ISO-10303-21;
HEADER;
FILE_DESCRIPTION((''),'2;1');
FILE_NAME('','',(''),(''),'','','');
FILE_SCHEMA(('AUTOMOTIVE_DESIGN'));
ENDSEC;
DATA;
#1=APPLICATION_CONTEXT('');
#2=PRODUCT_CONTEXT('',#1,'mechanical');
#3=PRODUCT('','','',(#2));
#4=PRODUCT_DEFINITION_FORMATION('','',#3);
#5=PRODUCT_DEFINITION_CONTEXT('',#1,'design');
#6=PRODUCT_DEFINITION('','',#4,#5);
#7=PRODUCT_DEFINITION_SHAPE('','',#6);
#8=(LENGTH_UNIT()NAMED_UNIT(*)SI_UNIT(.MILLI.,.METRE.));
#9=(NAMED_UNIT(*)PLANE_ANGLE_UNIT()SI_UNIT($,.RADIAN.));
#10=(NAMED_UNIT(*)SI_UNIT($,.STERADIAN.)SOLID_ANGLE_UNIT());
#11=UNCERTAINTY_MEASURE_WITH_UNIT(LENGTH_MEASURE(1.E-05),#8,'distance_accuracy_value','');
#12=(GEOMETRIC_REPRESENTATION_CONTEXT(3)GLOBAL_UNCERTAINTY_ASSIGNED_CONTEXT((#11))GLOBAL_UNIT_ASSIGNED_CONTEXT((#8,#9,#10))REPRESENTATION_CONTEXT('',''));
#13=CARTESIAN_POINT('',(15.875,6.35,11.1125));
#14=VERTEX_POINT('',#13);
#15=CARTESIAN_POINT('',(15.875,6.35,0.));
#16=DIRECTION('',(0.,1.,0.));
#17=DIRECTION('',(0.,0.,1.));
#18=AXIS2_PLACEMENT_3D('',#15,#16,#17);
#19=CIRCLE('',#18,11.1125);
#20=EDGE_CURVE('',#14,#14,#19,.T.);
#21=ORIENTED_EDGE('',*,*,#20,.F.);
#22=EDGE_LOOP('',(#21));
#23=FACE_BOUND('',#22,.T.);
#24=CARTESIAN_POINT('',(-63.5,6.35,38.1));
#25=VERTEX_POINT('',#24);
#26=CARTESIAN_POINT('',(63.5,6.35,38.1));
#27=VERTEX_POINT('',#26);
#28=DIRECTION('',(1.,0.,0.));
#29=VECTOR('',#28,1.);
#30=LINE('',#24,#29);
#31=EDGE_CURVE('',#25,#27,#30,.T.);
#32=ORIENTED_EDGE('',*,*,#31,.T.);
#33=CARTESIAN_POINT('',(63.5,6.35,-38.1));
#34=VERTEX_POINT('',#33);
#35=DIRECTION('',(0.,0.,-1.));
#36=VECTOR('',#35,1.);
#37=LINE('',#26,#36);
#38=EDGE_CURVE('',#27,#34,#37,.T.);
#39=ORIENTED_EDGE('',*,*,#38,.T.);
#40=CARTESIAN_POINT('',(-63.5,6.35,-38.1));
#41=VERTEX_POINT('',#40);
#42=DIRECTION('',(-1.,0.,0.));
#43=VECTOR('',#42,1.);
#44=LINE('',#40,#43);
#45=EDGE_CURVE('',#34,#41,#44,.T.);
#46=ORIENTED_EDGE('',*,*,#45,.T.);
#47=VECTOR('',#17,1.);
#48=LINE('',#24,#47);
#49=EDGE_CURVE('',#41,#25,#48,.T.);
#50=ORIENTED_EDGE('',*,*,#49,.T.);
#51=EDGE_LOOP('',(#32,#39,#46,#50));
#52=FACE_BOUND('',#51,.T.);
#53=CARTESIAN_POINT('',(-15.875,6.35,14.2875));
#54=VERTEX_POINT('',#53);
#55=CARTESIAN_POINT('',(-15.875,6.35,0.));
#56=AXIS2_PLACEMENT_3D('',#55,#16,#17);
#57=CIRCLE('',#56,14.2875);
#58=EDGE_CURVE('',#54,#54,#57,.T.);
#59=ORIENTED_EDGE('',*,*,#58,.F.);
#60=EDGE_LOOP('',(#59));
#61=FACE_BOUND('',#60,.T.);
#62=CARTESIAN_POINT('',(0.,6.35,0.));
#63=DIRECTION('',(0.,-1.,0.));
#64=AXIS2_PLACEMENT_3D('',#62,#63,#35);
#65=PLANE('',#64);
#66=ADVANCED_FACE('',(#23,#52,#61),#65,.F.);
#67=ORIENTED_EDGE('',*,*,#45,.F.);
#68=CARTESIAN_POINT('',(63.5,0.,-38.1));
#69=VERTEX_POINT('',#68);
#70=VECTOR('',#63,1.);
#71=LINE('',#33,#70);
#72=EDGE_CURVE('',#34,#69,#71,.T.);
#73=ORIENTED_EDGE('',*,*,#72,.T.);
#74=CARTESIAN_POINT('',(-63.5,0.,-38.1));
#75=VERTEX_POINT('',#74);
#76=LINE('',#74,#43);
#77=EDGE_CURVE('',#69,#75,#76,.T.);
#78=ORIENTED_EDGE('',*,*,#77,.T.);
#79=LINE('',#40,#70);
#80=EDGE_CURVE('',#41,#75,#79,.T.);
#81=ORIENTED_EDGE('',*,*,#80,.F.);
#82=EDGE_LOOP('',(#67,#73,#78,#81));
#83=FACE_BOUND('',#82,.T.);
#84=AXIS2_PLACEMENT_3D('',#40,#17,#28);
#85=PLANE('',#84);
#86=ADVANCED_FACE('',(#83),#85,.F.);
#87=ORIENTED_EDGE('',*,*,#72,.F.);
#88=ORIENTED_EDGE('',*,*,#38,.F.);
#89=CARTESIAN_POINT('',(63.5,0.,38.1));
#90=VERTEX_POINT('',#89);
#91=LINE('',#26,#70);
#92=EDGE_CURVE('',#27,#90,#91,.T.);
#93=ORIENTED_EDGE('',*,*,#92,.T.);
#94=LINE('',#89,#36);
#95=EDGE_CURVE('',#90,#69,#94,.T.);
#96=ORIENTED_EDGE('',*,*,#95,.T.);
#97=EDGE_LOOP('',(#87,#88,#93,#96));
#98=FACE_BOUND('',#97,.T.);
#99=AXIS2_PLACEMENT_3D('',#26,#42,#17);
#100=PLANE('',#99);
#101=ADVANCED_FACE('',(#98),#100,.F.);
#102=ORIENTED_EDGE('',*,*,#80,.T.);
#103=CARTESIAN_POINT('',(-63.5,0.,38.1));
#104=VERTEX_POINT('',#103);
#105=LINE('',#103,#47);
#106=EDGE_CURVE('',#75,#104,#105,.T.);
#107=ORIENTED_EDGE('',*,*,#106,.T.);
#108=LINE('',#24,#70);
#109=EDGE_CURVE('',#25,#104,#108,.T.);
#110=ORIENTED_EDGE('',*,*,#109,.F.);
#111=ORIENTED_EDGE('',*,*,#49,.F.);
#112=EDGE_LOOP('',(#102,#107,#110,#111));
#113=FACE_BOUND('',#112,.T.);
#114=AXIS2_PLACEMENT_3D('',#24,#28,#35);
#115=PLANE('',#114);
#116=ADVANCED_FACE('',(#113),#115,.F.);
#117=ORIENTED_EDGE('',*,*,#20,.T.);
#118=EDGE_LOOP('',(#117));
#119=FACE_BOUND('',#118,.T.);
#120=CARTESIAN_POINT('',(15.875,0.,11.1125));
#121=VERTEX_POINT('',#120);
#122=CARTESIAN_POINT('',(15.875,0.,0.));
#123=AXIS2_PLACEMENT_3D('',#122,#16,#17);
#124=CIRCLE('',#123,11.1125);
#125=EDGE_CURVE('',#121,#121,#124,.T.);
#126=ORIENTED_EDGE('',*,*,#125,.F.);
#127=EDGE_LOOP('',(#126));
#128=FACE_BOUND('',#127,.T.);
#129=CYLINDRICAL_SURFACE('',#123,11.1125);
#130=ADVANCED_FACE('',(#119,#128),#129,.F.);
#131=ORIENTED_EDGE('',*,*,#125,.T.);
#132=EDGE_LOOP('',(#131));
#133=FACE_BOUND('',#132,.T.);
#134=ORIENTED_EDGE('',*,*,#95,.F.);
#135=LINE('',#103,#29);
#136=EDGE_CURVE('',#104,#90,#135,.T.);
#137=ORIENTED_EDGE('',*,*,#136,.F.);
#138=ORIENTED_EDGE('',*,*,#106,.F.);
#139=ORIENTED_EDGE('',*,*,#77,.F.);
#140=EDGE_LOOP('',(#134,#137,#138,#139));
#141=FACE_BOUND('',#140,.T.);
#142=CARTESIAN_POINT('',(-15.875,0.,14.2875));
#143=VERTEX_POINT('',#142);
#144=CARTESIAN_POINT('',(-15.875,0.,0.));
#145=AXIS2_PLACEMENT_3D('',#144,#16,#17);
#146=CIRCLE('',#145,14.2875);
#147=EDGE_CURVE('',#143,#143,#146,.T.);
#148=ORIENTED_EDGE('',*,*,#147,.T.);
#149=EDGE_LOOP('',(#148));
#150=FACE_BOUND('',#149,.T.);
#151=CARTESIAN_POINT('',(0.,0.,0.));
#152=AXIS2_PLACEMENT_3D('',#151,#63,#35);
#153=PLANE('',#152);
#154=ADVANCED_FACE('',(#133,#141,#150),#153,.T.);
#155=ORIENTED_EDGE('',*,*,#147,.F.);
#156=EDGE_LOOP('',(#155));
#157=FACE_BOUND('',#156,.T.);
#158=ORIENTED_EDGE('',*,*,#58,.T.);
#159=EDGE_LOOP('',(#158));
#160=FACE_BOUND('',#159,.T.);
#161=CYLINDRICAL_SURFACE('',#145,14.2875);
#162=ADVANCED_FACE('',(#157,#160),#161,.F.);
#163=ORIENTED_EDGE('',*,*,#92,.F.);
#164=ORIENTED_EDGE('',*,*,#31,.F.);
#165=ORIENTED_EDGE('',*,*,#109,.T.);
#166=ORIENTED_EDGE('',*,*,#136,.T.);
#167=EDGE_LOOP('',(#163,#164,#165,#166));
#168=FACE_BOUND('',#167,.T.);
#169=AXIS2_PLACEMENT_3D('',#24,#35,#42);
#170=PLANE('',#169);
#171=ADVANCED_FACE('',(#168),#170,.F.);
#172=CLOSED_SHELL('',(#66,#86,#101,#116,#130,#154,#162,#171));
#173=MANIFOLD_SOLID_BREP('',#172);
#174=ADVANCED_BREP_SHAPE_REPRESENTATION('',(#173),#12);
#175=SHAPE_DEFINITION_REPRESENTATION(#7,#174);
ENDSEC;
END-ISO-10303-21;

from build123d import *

# Parameters (mm, degrees)
SKETCH1_W           = 127
SKETCH1_H           = 76.2
BOSS_EXTRUDE1_DEPTH = 6.35
SKETCH3_R           = 14.2875
CUT_EXTRUDE1_DEPTH  = 75.324844433
SKETCH4_R           = 11.1125
CUT_EXTRUDE2_DEPTH  = 75.324844433


with BuildPart() as part:
    # Sketch1 → Boss-Extrude1 (new body)
    with BuildSketch(Plane(origin=(0, 0, 0), x_dir=(1, 0, 0), z_dir=(0, 1, 0))):
        Rectangle(SKETCH1_W, SKETCH1_H)
    extrude(amount=BOSS_EXTRUDE1_DEPTH)

    # Sketch3 → Cut-Extrude1 (cut, through all)
    with BuildSketch(Plane(origin=(0, 6.35, 0), x_dir=(1, 0, 0), z_dir=(0, 1, 0))):
        with Locations(Location((-15.875, 0, 0), (0, 0, 270))):
            Circle(SKETCH3_R)
    extrude(amount=-CUT_EXTRUDE1_DEPTH, mode=Mode.SUBTRACT)

    # Sketch4 → Cut-Extrude2 (cut, through all)
    with BuildSketch(Plane(origin=(0, 6.35, 0), x_dir=(1, 0, 0), z_dir=(0, 1, 0))):
        with Locations(Location((15.875, 0, 0), (0, 0, 270))):
            Circle(SKETCH4_R)
    extrude(amount=-CUT_EXTRUDE2_DEPTH, mode=Mode.SUBTRACT)


solid = part.part
